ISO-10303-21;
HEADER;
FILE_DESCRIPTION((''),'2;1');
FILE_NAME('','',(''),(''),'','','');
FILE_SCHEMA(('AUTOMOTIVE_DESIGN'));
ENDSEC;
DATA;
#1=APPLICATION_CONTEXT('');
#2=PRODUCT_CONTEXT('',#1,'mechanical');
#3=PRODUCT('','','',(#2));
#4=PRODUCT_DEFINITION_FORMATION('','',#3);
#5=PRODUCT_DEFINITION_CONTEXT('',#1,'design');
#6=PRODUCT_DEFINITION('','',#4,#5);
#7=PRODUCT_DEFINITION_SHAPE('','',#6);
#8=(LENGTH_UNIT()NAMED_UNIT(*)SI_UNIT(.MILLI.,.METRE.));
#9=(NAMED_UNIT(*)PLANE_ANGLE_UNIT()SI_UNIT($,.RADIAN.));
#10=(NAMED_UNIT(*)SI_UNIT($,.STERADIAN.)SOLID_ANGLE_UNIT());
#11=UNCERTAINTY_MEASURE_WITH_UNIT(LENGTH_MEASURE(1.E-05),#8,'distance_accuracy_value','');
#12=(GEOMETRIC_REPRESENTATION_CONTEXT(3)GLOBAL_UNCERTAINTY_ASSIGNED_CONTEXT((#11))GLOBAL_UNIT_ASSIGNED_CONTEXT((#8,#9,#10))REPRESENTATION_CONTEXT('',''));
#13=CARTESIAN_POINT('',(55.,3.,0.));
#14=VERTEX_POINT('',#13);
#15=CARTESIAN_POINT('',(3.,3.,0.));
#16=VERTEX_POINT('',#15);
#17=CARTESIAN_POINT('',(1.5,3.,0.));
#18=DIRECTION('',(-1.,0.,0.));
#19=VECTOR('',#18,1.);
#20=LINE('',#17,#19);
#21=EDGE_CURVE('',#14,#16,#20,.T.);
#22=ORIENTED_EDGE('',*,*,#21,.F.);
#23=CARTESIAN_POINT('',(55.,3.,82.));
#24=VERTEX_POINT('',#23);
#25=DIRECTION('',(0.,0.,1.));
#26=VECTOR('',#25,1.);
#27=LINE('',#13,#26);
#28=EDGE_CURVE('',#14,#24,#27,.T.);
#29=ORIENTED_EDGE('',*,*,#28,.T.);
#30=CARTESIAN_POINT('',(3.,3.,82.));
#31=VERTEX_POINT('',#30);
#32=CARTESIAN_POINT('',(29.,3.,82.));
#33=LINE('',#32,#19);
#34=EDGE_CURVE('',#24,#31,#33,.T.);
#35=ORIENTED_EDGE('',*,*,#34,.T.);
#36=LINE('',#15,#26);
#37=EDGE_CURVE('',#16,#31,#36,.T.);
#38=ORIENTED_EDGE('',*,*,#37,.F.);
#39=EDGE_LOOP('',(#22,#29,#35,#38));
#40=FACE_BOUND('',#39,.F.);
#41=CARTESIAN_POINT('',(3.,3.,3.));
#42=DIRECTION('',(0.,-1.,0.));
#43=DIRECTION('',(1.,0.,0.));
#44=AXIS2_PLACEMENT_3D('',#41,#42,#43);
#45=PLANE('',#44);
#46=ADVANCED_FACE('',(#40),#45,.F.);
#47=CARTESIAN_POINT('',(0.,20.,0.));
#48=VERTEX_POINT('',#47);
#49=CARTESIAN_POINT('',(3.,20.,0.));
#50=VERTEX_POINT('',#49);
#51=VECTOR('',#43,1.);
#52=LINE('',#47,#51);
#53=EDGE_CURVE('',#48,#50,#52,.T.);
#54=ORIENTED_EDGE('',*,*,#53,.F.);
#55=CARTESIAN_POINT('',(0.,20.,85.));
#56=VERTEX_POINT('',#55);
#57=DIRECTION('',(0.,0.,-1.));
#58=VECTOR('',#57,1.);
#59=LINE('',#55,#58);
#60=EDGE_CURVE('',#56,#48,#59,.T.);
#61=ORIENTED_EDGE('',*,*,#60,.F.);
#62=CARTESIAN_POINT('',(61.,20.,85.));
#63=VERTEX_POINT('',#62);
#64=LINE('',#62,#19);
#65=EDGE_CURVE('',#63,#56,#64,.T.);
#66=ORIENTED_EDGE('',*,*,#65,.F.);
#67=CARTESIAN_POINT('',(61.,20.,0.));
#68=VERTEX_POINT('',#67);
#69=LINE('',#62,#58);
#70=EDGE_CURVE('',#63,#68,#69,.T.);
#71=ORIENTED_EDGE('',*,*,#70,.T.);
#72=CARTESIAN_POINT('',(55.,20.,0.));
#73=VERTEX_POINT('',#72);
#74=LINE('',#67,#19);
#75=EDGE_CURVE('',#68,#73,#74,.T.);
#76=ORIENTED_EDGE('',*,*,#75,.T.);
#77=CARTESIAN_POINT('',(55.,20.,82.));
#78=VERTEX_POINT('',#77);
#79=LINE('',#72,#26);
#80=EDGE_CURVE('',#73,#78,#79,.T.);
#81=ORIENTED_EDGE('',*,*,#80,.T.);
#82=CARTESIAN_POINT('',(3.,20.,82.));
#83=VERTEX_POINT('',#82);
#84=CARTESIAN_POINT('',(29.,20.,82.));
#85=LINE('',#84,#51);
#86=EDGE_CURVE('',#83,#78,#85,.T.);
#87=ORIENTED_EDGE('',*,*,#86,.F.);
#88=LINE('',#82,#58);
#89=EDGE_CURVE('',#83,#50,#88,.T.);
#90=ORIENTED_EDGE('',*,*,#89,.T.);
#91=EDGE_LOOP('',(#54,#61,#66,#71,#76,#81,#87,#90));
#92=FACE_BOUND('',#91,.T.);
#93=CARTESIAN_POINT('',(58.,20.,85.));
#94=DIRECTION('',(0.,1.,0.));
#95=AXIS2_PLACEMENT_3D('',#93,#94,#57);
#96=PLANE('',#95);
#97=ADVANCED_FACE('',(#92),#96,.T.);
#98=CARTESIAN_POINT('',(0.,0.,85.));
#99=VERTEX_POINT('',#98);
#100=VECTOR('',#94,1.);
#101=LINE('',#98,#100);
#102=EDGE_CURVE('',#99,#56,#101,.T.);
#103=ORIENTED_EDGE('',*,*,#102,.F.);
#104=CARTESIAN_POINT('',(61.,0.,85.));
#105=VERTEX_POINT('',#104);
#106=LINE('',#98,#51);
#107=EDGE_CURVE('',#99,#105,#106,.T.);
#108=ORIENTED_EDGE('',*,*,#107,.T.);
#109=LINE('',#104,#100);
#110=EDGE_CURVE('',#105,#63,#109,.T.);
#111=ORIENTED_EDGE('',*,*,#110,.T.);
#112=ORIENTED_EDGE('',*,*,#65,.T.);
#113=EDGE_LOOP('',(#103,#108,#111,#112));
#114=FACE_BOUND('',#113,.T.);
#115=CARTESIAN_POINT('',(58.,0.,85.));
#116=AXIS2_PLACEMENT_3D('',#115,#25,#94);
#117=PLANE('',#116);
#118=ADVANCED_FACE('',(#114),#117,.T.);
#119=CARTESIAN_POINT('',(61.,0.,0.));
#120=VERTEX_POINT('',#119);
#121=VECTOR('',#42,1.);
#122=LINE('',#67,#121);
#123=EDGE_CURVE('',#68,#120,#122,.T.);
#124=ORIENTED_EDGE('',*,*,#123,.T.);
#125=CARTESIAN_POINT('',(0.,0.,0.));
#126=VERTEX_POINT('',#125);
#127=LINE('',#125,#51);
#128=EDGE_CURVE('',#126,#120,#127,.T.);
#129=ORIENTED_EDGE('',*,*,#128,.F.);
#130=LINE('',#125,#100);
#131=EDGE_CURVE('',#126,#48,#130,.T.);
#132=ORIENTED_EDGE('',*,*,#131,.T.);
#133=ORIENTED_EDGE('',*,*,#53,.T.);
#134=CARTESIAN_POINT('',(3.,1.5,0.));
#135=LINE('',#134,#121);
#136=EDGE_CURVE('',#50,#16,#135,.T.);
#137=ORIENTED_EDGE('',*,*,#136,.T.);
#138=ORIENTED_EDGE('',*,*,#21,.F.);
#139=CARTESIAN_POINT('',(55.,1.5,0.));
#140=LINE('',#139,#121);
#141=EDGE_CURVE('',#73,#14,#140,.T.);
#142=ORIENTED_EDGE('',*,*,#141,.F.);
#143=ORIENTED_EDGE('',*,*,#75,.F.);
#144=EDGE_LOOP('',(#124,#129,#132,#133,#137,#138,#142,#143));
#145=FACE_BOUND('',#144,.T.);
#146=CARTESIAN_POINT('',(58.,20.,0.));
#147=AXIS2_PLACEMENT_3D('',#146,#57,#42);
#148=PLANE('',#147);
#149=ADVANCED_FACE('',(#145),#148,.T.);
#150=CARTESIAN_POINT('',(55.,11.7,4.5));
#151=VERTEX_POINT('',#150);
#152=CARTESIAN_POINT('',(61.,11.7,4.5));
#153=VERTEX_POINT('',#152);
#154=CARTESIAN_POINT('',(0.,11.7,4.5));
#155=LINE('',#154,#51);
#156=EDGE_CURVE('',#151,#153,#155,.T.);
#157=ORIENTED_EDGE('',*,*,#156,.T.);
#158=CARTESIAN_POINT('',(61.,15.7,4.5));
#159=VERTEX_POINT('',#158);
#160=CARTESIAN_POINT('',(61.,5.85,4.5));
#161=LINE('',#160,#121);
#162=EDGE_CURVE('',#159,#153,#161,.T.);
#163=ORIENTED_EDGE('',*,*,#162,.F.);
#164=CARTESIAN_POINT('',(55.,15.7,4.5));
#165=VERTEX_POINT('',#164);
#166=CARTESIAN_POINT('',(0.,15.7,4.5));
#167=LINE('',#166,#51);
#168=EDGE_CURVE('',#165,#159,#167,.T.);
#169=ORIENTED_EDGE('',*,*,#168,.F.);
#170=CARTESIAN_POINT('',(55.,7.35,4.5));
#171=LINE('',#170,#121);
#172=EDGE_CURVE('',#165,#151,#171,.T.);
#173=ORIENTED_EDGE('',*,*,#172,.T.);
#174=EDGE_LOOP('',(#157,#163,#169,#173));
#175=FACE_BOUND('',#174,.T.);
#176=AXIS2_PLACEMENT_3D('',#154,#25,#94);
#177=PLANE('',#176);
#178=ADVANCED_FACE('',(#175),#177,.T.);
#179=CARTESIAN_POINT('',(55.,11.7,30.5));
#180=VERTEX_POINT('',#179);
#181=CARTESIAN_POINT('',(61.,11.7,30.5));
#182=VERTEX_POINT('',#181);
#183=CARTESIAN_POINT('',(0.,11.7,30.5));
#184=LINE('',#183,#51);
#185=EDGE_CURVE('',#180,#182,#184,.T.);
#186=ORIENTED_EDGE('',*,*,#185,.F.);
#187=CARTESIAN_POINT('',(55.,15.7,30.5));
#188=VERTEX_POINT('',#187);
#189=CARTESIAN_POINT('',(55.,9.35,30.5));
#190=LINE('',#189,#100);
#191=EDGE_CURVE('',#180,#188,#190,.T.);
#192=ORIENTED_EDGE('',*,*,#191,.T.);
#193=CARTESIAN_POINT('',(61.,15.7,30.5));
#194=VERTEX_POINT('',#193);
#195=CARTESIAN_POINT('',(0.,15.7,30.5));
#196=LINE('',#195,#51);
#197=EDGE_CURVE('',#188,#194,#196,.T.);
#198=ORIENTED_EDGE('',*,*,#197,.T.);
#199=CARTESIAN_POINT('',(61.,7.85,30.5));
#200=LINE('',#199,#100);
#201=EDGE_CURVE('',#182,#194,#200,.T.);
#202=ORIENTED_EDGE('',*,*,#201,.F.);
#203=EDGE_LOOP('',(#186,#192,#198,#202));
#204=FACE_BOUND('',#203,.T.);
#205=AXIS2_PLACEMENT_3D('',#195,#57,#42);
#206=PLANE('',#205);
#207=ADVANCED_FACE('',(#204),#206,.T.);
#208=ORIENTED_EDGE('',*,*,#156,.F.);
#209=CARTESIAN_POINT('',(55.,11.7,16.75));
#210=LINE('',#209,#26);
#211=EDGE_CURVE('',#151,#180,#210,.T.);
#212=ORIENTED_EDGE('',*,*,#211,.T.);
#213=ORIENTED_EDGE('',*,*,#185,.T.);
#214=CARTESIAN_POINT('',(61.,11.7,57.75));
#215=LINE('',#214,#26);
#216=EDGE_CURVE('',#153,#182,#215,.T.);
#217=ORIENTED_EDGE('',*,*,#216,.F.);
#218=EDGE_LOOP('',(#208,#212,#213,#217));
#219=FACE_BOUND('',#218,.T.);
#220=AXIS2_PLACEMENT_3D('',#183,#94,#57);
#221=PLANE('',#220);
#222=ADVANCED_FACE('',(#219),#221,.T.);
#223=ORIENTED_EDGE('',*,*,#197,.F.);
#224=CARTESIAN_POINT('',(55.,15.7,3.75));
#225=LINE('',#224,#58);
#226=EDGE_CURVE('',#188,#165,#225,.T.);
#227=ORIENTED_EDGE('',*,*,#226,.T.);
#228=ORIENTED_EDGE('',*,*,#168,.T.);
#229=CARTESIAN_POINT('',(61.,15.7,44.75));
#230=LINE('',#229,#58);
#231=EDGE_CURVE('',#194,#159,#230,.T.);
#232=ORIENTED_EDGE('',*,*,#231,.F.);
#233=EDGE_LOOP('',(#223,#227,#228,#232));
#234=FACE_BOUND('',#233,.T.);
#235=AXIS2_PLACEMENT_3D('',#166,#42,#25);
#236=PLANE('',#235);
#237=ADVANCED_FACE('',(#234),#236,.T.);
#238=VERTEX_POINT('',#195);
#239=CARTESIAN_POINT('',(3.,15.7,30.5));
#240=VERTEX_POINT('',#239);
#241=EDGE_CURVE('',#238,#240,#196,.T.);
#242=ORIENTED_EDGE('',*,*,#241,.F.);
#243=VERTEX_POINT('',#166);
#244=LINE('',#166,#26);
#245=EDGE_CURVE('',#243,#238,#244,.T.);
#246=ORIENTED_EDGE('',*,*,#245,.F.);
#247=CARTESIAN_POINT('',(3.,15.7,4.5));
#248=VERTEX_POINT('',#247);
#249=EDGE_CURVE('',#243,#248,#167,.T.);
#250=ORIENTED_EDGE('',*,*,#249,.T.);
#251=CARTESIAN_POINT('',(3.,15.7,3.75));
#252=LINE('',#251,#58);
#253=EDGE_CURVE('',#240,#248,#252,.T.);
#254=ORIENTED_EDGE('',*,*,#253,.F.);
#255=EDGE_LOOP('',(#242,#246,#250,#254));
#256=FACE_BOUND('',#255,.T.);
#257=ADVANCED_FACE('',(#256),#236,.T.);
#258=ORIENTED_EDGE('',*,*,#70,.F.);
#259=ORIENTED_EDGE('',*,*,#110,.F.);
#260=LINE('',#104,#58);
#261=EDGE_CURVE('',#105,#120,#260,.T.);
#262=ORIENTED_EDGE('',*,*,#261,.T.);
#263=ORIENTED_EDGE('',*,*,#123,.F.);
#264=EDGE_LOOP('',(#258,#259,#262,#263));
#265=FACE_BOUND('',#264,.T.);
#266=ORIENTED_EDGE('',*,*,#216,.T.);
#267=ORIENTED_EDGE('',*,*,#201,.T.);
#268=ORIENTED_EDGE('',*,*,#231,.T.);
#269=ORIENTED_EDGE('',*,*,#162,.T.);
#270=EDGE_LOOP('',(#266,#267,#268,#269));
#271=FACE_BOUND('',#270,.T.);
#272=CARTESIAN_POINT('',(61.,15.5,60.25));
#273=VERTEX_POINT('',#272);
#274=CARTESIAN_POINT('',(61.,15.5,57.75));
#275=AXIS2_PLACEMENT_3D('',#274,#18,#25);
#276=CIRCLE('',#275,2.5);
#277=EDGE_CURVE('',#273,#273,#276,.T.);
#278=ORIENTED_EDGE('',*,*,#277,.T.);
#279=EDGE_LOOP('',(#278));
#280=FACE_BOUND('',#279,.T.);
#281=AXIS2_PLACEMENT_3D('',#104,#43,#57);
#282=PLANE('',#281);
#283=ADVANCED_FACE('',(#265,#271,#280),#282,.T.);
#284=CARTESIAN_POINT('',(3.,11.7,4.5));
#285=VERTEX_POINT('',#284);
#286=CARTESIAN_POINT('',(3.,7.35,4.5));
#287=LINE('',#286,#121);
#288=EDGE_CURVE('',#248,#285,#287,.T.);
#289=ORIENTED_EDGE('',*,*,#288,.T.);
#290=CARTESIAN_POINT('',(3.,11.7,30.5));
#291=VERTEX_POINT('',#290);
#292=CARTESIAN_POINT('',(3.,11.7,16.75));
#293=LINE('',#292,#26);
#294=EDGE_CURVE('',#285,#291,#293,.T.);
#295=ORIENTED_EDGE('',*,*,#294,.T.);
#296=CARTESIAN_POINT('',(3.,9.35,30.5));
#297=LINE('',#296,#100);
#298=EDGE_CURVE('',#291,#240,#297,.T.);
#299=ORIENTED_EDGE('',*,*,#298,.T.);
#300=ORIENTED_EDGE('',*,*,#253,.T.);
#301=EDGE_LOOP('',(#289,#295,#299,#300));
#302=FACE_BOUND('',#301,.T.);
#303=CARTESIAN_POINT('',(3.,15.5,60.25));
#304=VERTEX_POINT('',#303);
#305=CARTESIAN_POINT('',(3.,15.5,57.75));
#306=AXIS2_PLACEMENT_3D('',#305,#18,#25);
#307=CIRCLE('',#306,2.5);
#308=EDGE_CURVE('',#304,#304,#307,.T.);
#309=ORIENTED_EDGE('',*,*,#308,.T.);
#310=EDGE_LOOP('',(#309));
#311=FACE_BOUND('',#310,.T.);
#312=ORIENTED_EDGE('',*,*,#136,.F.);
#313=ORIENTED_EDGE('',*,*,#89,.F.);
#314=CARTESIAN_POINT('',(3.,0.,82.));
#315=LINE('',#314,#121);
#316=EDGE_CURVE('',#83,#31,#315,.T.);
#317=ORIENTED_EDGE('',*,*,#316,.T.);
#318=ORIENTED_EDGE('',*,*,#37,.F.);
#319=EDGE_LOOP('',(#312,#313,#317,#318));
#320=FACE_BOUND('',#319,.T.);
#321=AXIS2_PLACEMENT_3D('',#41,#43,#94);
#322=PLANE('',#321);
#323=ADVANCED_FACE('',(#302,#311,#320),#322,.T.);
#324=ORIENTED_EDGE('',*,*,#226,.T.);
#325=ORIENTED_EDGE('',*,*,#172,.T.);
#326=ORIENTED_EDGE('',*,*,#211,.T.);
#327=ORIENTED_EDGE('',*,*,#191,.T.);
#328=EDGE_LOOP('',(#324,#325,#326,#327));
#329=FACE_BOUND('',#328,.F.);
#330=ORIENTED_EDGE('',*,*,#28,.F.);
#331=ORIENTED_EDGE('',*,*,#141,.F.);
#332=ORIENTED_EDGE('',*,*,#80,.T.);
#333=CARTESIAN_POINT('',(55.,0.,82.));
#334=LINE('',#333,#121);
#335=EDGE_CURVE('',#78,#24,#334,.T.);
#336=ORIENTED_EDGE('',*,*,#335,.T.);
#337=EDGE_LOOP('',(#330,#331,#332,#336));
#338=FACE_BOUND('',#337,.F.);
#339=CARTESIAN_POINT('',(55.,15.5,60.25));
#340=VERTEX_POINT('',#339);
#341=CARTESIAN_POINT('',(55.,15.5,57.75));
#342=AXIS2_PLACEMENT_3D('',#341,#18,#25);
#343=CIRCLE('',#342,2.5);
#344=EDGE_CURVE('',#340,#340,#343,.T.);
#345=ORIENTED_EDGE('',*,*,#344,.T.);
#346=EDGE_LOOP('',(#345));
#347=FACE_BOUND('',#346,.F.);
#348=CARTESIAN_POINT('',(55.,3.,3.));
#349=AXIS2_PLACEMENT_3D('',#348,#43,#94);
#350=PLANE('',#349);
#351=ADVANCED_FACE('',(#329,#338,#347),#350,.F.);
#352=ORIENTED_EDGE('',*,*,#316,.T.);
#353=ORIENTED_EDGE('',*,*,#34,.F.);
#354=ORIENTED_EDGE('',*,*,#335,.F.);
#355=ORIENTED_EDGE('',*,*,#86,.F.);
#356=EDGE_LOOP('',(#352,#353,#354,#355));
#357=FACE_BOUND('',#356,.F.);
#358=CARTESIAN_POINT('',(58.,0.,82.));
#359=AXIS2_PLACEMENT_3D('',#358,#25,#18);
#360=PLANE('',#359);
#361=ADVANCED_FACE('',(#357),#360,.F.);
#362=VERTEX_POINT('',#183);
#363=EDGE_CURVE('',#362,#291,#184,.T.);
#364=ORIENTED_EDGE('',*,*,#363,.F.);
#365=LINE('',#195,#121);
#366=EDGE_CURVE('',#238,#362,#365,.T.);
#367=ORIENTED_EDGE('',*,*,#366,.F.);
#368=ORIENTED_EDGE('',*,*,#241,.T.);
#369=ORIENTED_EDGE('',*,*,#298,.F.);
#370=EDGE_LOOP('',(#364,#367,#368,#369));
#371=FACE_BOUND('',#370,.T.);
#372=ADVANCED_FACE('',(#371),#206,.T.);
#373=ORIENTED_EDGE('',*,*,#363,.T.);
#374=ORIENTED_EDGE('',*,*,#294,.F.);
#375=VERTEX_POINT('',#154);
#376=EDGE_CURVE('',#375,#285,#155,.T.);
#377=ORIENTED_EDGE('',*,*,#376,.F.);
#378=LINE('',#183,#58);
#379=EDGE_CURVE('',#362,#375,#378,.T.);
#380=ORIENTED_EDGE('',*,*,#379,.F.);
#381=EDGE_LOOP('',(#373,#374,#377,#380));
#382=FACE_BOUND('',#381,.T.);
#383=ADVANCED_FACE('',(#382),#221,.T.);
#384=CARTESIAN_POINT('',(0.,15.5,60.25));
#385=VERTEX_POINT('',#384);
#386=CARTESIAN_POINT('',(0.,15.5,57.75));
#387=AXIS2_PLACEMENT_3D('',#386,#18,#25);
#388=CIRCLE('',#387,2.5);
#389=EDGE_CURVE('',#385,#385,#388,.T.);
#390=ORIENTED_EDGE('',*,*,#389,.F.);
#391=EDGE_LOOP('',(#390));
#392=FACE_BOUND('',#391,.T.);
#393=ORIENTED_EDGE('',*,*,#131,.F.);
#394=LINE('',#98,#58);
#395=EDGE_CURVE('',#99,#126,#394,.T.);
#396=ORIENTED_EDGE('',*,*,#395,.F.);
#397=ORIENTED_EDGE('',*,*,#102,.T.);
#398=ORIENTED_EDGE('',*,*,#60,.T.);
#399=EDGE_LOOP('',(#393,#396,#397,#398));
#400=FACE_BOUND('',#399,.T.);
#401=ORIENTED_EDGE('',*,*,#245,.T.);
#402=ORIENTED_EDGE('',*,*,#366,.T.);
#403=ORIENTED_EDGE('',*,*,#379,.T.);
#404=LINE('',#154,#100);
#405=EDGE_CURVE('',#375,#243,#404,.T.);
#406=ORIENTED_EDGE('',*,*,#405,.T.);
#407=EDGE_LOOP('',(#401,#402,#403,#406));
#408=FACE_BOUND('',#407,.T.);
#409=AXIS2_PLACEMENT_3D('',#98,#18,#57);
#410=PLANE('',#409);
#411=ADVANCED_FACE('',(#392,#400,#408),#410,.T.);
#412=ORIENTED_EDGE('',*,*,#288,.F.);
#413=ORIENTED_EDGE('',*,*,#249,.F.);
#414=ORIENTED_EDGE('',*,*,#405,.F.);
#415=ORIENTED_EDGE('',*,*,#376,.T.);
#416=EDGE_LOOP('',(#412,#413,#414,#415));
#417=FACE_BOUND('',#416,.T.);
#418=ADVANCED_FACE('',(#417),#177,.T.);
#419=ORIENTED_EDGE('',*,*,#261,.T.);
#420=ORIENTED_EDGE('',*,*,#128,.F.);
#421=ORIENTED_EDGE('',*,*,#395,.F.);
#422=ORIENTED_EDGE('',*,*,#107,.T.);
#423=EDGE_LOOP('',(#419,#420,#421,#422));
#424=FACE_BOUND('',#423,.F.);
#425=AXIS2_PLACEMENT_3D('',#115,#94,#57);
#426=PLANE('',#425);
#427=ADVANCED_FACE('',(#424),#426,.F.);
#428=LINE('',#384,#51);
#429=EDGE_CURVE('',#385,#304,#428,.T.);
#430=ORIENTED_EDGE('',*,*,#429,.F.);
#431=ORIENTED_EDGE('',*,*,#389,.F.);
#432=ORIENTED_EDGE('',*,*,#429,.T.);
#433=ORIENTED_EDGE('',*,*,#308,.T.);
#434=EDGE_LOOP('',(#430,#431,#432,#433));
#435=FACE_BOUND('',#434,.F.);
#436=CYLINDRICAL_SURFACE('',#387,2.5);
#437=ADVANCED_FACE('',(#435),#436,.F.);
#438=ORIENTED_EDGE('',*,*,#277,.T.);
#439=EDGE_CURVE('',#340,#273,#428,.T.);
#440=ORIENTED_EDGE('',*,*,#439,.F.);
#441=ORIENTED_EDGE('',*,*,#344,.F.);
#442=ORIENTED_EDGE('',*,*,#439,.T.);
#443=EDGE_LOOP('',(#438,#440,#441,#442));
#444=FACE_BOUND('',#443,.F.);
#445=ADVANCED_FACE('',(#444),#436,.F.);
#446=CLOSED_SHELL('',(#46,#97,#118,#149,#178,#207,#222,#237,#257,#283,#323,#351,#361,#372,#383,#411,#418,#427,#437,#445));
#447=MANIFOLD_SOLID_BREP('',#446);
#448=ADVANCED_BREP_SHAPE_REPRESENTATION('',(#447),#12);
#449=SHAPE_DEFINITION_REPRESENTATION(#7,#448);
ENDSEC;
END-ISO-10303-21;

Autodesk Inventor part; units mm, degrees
ref_plane "YZ Plane" through (0, 0, 0) normal (1, 0, 0) x (0, 1, 0)
ref_plane "XZ Plane" through (0, 0, 0) normal (0, 1, 0) x (-1, 0, 0)
ref_plane "XY Plane" through (0, 0, 0) normal (0, 0, 1) x (1, 0, 0)
sketch "Sketch2" plane through (0, 0, 0) normal (0, 1, 0) x (-1, 0, 0)
  line L0 (0, 0) -> (-58, 0)
  line L1 (-58, 0) -> (-58, 85)
  line L2 (-58, 85) -> (0, 85)
  line L3 (0, 85) -> (0, 0)
  dimension "d0" = 58
  dimension "d1" = 85
extrude "Extrusion1" add sketch "Sketch2" along normal blind 20
shell "Shell1" thickness 3 removed faces 1 at (19.3333, 20, 28.3333)
sketch "Sketch4" plane through (58, 0, 0) normal (0, 0, -1) x (-1, 0, 0)
  point P0 (58, 0)
sketch "Sketch5" plane through (3, 3, 3) normal (0, 0, 1) x (1, 0, 0)
  line L0 (0, 0) -> (0, 17) projected
  line L1 (0, 17) -> (52, 17) projected
  line L2 (0, 0) -> (52, 0)
  line L3 (52, 0) -> (52, 17)
  line L4 (52, 17) -> (0, 17)
  line L5 (0, 17) -> (0, 0)
  point P0 (-3, -3)
extrude "Extrusion3" cut sketch "Sketch5" against normal blind 10
sketch "Sketch6" plane through (0, 0, 0) normal (-1, 0, 0) x (0, 0, 1)
  line L0 (4.5, 15.7) -> (30.5, 15.7)
  line L1 (30.5, 15.7) -> (30.5, 11.7)
  line L2 (30.5, 11.7) -> (4.5, 11.7)
  line L3 (4.5, 11.7) -> (4.5, 15.7)
  line L4 (0, 0) -> (0, 20) projected
  line L5 (0, 0) -> (85, 0) projected
  line L6 (0, 20) -> (85, 20) projected
  dimension "d19" = 26
  dimension "d20" = 4
  dimension "d21" = 4.5
  dimension "d34" = 11.7
sketch "Sketch7" plane through (58, 0, 85) normal (1, 0, 0) x (0, 0, -1)
  line L0 (0, 0) -> (85, 0) projected
  line L1 (0, 20) -> (85, 20)
  line L2 (85, 20) -> (85, 0)
  line L3 (85, 0) -> (0, 0)
  line L4 (0, 0) -> (0, 20)
extrude "Extrusion5" add sketch "Sketch7" along normal blind 3
extrude "Extrusion6" cut sketch "Sketch6" against normal through all
sketch "Sketch8" plane through (0, 0, 0) normal (-1, 0, 0) x (0, 0, 1)
  circle A0 centre (57.75, 15.5) radius 2.5
  line L0 (0, 20) -> (85, 20) projected
  line L1 (85, 0) -> (85, 20) projected
  line L2 (30.5, 15.7) -> (30.5, 11.7) projected
  point P0 (0, 0)
  point P1 (30.5, 13.7)
  dimension "d29" = 5
  dimension "d32" = 4.5
  dimension "d35" = 54.5
  dimension "d36" = 27.25
extrude "Extrusion7" cut sketch "Sketch8" against normal through all
equation "\"d36\" = 0.5 * d35"
properties part number "breadboard box v03"
